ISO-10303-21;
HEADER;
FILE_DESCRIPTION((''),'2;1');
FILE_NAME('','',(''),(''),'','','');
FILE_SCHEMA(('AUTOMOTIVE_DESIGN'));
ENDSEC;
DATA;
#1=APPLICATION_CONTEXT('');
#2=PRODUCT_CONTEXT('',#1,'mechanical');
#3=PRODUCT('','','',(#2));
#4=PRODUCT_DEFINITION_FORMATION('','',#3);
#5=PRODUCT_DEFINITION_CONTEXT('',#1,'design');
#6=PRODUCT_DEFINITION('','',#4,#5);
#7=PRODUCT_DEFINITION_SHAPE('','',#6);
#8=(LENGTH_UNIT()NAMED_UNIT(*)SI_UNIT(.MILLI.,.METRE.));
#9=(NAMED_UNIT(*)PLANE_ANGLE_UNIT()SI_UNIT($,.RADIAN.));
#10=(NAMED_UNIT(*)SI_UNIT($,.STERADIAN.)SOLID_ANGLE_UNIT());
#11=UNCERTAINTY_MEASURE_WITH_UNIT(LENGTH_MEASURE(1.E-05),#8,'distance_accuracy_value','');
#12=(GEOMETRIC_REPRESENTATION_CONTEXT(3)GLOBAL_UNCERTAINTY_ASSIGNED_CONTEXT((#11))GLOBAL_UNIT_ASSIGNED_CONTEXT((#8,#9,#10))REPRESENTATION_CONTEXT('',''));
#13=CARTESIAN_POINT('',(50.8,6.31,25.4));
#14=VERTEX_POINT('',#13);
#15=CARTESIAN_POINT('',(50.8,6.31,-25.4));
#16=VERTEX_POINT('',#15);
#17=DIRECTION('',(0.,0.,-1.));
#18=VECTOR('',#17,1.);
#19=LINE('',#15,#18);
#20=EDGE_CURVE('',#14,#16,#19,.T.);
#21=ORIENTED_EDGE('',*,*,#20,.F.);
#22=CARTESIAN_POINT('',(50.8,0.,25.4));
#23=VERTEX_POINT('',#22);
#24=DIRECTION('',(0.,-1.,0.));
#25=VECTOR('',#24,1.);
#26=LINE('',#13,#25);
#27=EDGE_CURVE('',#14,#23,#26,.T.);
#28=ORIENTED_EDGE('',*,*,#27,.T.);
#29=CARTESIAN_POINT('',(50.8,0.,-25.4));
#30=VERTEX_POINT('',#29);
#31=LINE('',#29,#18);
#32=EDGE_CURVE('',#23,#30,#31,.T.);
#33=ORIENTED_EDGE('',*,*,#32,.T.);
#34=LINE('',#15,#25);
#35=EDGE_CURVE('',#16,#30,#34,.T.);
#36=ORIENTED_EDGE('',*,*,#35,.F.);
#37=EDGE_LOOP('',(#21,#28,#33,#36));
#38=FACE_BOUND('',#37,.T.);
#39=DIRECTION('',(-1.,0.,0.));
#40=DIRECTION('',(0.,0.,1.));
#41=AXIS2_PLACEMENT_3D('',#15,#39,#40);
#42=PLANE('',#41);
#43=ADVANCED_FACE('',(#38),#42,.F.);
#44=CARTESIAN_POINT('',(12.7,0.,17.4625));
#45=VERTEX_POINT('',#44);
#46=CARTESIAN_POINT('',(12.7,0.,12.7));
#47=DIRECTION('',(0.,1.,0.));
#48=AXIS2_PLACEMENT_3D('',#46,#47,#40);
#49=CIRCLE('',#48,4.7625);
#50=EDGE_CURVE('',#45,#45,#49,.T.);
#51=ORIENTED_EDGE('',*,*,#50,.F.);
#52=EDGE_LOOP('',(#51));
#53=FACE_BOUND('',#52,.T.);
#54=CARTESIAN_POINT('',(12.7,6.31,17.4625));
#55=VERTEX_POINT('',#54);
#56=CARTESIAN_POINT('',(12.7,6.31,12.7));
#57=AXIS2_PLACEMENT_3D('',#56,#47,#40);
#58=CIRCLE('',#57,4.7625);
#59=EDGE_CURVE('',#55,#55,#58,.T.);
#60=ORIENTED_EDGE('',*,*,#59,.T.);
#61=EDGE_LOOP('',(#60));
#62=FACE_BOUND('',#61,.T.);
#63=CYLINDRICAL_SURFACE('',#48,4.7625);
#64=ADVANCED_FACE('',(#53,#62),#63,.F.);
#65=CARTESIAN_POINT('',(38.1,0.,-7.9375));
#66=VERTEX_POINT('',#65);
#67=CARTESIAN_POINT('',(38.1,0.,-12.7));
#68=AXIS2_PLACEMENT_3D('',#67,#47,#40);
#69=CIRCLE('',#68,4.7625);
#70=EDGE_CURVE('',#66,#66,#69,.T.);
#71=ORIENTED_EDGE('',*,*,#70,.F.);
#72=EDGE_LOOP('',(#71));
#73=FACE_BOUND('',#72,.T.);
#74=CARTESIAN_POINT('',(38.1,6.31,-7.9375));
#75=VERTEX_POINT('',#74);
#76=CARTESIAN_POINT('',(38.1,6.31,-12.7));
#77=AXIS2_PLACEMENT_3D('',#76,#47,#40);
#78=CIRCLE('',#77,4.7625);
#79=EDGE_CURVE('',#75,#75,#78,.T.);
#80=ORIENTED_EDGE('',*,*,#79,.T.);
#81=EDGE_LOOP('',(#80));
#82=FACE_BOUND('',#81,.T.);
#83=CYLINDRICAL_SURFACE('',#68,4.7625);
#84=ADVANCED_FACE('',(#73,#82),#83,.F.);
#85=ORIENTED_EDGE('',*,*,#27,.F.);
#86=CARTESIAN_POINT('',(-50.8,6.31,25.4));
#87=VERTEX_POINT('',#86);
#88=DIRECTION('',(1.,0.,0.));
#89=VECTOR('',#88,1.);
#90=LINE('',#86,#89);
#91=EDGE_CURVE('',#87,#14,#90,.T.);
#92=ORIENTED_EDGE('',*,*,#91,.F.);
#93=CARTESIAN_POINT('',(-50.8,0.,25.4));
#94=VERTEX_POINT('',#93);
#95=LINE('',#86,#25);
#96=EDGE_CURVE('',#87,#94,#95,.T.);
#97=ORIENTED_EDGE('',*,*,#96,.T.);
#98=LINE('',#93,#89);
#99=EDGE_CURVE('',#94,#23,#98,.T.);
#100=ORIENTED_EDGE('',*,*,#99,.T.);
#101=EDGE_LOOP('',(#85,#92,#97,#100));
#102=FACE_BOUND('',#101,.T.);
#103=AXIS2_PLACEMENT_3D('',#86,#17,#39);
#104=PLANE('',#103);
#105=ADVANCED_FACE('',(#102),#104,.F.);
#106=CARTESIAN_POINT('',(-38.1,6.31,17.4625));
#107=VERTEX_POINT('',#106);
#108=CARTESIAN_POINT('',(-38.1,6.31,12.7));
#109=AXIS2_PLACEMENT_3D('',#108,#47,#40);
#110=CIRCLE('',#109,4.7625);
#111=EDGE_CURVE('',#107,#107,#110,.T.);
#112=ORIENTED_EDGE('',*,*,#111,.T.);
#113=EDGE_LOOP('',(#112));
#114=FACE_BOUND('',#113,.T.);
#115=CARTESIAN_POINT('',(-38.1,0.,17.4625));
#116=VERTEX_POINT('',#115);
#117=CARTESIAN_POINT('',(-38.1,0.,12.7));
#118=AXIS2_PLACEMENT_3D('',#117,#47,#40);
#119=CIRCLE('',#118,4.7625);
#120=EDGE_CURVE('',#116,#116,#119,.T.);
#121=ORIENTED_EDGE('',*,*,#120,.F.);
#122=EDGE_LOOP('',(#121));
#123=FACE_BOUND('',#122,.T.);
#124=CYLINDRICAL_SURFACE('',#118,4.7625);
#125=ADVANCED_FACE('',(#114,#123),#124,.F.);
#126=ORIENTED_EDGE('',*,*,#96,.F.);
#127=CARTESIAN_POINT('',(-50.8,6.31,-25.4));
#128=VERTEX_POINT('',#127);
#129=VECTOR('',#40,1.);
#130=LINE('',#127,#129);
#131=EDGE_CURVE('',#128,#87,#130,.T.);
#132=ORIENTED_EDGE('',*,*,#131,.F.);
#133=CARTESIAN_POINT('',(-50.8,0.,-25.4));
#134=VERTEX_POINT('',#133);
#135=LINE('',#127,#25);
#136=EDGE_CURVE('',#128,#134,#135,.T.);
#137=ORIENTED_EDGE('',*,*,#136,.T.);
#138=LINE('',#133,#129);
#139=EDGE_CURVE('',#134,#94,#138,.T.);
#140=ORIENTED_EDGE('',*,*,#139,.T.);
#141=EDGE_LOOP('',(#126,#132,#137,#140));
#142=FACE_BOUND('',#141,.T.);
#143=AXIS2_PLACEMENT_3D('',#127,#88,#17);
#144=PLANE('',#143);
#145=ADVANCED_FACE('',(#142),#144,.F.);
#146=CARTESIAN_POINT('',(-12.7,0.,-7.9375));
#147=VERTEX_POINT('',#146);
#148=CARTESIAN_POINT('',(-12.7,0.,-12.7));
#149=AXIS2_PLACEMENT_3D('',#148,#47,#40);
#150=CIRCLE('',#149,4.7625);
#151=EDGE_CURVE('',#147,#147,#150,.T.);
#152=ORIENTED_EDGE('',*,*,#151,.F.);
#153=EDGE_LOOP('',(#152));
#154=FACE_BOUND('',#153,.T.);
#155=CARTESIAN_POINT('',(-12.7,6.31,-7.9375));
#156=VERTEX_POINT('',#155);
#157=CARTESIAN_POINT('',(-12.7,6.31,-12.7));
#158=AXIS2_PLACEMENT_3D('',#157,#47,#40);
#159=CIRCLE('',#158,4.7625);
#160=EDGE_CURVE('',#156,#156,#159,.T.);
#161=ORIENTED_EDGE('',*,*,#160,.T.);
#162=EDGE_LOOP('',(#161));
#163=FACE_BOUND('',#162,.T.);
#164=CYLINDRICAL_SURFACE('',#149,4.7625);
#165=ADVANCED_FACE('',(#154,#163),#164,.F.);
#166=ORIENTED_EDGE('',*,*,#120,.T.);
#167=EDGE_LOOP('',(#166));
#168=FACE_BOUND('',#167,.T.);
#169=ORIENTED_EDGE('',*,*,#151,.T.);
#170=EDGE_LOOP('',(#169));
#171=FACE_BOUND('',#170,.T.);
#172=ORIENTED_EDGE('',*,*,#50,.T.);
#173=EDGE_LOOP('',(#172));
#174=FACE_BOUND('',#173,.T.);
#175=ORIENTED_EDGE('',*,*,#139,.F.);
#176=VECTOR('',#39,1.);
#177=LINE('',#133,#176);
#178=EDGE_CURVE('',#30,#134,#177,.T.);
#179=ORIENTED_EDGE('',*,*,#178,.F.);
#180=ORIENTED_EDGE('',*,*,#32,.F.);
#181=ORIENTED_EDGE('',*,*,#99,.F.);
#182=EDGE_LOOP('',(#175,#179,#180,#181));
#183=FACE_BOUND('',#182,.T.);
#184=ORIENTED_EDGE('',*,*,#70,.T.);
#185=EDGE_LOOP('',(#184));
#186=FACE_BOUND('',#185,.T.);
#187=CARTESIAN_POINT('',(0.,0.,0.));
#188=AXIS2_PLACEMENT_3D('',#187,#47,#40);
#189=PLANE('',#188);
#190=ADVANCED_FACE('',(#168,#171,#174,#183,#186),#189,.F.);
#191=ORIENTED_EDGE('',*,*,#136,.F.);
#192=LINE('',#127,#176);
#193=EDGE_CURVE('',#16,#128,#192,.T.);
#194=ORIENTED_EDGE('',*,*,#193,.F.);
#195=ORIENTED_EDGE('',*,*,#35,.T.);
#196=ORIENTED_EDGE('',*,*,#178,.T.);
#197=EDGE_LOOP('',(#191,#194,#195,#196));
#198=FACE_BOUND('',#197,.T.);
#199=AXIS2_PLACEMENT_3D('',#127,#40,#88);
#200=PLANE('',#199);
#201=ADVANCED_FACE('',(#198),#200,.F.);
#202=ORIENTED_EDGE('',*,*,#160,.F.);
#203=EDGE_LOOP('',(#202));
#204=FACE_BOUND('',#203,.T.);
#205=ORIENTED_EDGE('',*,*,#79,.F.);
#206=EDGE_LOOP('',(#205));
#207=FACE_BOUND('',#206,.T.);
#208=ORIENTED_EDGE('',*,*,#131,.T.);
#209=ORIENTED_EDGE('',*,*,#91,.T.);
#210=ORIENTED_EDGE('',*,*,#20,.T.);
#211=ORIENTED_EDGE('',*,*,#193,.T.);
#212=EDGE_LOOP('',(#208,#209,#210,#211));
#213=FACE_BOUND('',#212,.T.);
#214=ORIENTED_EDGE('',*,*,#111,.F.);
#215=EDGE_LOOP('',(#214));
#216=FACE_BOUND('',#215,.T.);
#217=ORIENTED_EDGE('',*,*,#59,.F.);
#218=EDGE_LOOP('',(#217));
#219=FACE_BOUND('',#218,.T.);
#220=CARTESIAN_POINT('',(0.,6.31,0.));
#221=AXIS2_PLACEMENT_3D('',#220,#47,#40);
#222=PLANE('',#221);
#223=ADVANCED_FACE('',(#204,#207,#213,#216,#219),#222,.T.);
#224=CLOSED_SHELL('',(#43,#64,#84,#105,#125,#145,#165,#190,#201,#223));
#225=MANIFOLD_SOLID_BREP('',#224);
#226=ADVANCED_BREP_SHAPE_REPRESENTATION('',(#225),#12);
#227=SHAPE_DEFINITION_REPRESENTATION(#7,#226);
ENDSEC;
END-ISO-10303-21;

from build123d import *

# Parameters (mm, degrees)
CROQUIS1_W              = 101.6
CROQUIS1_H              = 50.8
SALIENTE_EXTRUIR1_DEPTH = 6.31
CROQUIS2_R              = 4.7625
CORTAR_EXTRUIR1_DEPTH   = 6.31
MATRIZL1_COUNT          = 2
MATRIZL1_PITCH          = 50.8


with BuildPart() as part:
    # Croquis1 → Saliente-Extruir1 (new body)
    with BuildSketch(Plane(origin=(0, 0, 0), x_dir=(1, 0, 0), z_dir=(0, 1, 0))):
        Rectangle(CROQUIS1_W, CROQUIS1_H)
    extrude(amount=SALIENTE_EXTRUIR1_DEPTH)

    # Croquis2 → Cortar-Extruir1 (cut)
    with BuildSketch(Plane(origin=(0, 6.31, 0), x_dir=(1, 0, 0), z_dir=(0, 1, 0))):
        with Locations(Location((-38.1, -12.7, 0), (0, 0, 270))):
            Circle(CROQUIS2_R)
        with Locations(Location((-12.7, 12.7, 0), (0, 0, 270))):
            Circle(CROQUIS2_R)
    cortar_extruir1 = extrude(amount=-CORTAR_EXTRUIR1_DEPTH, mode=Mode.SUBTRACT)

    # MatrizL1: Cortar-Extruir1 ×2
    with Locations(*[(i * MATRIZL1_PITCH, 0, 0) for i in range(1, MATRIZL1_COUNT)]):
        add(cortar_extruir1, mode=Mode.SUBTRACT)


solid = part.part
